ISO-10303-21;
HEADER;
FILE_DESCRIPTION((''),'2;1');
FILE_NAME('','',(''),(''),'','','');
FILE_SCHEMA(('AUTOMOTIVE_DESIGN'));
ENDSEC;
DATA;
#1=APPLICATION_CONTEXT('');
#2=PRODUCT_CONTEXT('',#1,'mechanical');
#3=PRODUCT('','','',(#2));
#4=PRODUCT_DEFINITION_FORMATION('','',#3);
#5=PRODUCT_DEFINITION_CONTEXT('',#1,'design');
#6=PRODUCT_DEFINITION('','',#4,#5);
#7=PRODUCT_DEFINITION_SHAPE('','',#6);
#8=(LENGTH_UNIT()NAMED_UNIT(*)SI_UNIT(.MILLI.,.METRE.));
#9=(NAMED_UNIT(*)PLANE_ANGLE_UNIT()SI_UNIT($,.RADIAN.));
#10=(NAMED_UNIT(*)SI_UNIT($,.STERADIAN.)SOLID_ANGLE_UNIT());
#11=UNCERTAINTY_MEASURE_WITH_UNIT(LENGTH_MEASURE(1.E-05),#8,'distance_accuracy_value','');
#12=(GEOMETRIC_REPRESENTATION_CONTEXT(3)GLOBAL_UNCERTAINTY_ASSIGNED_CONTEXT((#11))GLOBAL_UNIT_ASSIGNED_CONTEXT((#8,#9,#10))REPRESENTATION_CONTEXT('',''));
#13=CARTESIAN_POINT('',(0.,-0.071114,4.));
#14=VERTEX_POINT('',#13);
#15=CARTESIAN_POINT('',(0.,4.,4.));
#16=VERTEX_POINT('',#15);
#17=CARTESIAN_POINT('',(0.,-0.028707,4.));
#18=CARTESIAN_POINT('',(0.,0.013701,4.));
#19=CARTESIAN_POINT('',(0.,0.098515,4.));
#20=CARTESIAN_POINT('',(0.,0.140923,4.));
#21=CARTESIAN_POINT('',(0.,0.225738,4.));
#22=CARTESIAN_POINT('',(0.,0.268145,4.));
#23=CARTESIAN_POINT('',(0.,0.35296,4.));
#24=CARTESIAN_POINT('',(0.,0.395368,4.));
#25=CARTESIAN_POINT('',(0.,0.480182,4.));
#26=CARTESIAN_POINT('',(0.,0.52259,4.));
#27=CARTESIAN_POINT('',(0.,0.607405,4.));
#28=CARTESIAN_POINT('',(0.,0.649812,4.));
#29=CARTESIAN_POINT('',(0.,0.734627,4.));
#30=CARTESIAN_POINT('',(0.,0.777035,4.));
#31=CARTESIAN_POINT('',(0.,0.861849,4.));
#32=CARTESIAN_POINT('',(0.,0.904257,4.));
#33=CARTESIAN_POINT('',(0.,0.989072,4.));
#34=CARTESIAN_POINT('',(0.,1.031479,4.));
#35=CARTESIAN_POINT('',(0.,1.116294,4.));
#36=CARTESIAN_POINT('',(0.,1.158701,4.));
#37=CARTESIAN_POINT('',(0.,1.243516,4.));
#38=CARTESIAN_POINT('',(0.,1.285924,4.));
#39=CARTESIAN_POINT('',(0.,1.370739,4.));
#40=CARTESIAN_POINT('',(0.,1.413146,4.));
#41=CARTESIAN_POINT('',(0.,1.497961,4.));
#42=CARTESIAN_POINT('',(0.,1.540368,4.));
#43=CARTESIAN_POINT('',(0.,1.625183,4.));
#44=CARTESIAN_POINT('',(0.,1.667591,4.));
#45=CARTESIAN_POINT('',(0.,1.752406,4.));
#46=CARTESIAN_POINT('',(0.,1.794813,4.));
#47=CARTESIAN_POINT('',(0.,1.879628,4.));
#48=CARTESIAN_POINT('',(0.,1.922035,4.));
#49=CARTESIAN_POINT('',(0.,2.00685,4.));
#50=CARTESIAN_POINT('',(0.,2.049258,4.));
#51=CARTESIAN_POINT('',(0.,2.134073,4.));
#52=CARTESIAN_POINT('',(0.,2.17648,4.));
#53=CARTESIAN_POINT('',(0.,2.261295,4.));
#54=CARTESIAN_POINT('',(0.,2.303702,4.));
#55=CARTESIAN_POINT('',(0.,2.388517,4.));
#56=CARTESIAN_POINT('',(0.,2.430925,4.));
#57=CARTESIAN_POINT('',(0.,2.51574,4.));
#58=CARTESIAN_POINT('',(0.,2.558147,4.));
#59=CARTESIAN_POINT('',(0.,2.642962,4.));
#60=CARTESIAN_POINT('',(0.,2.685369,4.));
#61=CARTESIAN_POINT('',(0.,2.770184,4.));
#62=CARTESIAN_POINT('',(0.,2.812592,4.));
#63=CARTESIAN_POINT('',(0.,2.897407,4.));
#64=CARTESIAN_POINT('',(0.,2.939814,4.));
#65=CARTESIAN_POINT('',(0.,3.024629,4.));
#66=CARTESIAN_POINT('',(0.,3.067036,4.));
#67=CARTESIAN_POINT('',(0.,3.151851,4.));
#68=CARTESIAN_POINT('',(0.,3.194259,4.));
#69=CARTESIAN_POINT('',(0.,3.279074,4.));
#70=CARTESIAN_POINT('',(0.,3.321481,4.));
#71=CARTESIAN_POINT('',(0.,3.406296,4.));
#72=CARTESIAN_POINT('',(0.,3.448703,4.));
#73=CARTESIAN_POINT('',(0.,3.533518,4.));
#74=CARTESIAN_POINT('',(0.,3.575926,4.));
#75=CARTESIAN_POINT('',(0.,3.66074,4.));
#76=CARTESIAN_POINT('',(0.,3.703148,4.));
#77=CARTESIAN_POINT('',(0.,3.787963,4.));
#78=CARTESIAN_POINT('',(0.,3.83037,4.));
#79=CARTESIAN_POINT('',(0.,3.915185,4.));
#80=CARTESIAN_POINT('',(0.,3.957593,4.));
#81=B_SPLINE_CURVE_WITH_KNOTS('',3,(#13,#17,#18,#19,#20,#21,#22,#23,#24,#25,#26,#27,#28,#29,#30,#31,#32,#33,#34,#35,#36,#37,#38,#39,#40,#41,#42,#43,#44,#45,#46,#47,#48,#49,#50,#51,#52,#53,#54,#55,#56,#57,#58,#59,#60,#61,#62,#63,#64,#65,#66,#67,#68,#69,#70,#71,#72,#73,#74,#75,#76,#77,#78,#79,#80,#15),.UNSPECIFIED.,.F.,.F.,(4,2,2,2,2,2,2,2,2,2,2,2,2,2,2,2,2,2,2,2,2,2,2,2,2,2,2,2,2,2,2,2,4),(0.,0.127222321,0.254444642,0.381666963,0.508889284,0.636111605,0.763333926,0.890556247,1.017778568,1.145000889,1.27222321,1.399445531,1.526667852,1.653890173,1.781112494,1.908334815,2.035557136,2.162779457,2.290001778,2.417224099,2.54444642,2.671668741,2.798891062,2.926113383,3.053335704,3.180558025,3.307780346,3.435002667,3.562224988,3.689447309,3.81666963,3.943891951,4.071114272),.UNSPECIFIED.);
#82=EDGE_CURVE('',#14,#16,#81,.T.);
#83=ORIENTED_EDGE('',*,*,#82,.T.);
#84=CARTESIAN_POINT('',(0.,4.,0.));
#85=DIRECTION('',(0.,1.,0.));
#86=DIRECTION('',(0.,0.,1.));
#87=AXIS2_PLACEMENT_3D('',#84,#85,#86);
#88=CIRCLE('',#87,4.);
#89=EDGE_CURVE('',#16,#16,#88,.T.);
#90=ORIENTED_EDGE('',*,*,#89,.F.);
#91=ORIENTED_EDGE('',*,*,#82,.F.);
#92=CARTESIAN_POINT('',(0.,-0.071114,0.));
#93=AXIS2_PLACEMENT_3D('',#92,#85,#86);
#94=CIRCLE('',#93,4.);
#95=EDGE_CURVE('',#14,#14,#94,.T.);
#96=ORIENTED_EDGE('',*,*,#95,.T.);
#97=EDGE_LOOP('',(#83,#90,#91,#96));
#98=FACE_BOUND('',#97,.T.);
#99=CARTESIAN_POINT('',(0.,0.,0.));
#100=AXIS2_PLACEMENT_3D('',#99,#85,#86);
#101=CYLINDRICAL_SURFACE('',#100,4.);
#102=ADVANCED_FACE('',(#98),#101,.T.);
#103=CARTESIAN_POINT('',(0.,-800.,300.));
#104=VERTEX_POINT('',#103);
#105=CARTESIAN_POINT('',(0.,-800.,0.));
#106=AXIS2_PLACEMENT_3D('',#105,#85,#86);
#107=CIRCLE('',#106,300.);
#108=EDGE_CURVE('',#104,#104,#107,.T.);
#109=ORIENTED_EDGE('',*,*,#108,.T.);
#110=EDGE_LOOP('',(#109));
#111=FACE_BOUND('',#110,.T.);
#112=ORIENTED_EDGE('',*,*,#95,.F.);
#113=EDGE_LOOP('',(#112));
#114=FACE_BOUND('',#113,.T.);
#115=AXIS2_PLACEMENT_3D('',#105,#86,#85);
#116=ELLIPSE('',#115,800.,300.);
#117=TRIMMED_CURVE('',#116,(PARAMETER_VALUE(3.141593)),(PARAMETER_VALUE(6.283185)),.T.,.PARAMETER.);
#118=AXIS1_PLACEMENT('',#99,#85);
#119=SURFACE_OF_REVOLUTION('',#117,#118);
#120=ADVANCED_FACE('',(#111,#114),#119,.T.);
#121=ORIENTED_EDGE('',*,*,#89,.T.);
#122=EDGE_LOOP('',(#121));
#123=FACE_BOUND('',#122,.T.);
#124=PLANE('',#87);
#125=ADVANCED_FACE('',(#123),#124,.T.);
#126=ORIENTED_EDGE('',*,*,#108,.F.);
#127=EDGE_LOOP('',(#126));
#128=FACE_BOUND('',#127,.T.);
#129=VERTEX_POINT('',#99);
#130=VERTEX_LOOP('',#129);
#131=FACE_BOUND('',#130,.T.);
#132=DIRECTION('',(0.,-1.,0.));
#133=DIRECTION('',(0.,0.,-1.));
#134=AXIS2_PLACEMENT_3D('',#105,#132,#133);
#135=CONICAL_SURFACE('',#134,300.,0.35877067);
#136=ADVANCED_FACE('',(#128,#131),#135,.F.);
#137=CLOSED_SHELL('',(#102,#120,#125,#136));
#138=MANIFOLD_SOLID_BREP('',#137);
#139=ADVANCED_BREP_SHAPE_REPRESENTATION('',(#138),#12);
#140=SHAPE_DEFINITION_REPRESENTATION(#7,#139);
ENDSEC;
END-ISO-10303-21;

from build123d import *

# Parameters (mm, degrees)
SKETCH1_W = 4
SKETCH1_H = 4


with BuildPart() as part:
    # Sketch1 → Revolve1 (revolve)
    with BuildSketch(Plane.XY, mode=Mode.PRIVATE) as revolve1_sk:
        with BuildLine():
            add(Edge.make_bspline(
                [(4, -0.071114272), (2.000088897, 0), (0, 0)],
                knots=[6.269851579, 6.269851579, 6.269851579, 6.283185307, 6.283185307, 6.283185307], degree=2, weights=[1, 0.999977777, 1]))
            Line((0, 0), (300, -800))
            add(Edge.make_bspline(
                [(300, -800), (300, -10.596494347), (4, -0.071114272)],
                knots=[4.71238898, 4.71238898, 4.71238898, 6.269851579, 6.269851579, 6.269851579], degree=2, weights=[1, 0.711805217, 1]))
        make_face()
        with BuildLine():
            Line((4, 0), (0, 0))
            add(Edge.make_bspline(
                [(4, -0.071114272), (2.000088897, 0), (0, 0)],
                knots=[6.269851579, 6.269851579, 6.269851579, 6.283185307, 6.283185307, 6.283185307], degree=2, weights=[1, 0.999977777, 1]))
            Line((4, -0.071114272), (4, 0))
        make_face()
        with Locations((2, 2)):
            Rectangle(SKETCH1_W, SKETCH1_H)
    revolve(revolve1_sk.sketch.rotate(Axis((0, 0, 0), (0, -1, 0)), 270), axis=Axis((0, 0, 0), (0, -1, 0)))


solid = part.part
